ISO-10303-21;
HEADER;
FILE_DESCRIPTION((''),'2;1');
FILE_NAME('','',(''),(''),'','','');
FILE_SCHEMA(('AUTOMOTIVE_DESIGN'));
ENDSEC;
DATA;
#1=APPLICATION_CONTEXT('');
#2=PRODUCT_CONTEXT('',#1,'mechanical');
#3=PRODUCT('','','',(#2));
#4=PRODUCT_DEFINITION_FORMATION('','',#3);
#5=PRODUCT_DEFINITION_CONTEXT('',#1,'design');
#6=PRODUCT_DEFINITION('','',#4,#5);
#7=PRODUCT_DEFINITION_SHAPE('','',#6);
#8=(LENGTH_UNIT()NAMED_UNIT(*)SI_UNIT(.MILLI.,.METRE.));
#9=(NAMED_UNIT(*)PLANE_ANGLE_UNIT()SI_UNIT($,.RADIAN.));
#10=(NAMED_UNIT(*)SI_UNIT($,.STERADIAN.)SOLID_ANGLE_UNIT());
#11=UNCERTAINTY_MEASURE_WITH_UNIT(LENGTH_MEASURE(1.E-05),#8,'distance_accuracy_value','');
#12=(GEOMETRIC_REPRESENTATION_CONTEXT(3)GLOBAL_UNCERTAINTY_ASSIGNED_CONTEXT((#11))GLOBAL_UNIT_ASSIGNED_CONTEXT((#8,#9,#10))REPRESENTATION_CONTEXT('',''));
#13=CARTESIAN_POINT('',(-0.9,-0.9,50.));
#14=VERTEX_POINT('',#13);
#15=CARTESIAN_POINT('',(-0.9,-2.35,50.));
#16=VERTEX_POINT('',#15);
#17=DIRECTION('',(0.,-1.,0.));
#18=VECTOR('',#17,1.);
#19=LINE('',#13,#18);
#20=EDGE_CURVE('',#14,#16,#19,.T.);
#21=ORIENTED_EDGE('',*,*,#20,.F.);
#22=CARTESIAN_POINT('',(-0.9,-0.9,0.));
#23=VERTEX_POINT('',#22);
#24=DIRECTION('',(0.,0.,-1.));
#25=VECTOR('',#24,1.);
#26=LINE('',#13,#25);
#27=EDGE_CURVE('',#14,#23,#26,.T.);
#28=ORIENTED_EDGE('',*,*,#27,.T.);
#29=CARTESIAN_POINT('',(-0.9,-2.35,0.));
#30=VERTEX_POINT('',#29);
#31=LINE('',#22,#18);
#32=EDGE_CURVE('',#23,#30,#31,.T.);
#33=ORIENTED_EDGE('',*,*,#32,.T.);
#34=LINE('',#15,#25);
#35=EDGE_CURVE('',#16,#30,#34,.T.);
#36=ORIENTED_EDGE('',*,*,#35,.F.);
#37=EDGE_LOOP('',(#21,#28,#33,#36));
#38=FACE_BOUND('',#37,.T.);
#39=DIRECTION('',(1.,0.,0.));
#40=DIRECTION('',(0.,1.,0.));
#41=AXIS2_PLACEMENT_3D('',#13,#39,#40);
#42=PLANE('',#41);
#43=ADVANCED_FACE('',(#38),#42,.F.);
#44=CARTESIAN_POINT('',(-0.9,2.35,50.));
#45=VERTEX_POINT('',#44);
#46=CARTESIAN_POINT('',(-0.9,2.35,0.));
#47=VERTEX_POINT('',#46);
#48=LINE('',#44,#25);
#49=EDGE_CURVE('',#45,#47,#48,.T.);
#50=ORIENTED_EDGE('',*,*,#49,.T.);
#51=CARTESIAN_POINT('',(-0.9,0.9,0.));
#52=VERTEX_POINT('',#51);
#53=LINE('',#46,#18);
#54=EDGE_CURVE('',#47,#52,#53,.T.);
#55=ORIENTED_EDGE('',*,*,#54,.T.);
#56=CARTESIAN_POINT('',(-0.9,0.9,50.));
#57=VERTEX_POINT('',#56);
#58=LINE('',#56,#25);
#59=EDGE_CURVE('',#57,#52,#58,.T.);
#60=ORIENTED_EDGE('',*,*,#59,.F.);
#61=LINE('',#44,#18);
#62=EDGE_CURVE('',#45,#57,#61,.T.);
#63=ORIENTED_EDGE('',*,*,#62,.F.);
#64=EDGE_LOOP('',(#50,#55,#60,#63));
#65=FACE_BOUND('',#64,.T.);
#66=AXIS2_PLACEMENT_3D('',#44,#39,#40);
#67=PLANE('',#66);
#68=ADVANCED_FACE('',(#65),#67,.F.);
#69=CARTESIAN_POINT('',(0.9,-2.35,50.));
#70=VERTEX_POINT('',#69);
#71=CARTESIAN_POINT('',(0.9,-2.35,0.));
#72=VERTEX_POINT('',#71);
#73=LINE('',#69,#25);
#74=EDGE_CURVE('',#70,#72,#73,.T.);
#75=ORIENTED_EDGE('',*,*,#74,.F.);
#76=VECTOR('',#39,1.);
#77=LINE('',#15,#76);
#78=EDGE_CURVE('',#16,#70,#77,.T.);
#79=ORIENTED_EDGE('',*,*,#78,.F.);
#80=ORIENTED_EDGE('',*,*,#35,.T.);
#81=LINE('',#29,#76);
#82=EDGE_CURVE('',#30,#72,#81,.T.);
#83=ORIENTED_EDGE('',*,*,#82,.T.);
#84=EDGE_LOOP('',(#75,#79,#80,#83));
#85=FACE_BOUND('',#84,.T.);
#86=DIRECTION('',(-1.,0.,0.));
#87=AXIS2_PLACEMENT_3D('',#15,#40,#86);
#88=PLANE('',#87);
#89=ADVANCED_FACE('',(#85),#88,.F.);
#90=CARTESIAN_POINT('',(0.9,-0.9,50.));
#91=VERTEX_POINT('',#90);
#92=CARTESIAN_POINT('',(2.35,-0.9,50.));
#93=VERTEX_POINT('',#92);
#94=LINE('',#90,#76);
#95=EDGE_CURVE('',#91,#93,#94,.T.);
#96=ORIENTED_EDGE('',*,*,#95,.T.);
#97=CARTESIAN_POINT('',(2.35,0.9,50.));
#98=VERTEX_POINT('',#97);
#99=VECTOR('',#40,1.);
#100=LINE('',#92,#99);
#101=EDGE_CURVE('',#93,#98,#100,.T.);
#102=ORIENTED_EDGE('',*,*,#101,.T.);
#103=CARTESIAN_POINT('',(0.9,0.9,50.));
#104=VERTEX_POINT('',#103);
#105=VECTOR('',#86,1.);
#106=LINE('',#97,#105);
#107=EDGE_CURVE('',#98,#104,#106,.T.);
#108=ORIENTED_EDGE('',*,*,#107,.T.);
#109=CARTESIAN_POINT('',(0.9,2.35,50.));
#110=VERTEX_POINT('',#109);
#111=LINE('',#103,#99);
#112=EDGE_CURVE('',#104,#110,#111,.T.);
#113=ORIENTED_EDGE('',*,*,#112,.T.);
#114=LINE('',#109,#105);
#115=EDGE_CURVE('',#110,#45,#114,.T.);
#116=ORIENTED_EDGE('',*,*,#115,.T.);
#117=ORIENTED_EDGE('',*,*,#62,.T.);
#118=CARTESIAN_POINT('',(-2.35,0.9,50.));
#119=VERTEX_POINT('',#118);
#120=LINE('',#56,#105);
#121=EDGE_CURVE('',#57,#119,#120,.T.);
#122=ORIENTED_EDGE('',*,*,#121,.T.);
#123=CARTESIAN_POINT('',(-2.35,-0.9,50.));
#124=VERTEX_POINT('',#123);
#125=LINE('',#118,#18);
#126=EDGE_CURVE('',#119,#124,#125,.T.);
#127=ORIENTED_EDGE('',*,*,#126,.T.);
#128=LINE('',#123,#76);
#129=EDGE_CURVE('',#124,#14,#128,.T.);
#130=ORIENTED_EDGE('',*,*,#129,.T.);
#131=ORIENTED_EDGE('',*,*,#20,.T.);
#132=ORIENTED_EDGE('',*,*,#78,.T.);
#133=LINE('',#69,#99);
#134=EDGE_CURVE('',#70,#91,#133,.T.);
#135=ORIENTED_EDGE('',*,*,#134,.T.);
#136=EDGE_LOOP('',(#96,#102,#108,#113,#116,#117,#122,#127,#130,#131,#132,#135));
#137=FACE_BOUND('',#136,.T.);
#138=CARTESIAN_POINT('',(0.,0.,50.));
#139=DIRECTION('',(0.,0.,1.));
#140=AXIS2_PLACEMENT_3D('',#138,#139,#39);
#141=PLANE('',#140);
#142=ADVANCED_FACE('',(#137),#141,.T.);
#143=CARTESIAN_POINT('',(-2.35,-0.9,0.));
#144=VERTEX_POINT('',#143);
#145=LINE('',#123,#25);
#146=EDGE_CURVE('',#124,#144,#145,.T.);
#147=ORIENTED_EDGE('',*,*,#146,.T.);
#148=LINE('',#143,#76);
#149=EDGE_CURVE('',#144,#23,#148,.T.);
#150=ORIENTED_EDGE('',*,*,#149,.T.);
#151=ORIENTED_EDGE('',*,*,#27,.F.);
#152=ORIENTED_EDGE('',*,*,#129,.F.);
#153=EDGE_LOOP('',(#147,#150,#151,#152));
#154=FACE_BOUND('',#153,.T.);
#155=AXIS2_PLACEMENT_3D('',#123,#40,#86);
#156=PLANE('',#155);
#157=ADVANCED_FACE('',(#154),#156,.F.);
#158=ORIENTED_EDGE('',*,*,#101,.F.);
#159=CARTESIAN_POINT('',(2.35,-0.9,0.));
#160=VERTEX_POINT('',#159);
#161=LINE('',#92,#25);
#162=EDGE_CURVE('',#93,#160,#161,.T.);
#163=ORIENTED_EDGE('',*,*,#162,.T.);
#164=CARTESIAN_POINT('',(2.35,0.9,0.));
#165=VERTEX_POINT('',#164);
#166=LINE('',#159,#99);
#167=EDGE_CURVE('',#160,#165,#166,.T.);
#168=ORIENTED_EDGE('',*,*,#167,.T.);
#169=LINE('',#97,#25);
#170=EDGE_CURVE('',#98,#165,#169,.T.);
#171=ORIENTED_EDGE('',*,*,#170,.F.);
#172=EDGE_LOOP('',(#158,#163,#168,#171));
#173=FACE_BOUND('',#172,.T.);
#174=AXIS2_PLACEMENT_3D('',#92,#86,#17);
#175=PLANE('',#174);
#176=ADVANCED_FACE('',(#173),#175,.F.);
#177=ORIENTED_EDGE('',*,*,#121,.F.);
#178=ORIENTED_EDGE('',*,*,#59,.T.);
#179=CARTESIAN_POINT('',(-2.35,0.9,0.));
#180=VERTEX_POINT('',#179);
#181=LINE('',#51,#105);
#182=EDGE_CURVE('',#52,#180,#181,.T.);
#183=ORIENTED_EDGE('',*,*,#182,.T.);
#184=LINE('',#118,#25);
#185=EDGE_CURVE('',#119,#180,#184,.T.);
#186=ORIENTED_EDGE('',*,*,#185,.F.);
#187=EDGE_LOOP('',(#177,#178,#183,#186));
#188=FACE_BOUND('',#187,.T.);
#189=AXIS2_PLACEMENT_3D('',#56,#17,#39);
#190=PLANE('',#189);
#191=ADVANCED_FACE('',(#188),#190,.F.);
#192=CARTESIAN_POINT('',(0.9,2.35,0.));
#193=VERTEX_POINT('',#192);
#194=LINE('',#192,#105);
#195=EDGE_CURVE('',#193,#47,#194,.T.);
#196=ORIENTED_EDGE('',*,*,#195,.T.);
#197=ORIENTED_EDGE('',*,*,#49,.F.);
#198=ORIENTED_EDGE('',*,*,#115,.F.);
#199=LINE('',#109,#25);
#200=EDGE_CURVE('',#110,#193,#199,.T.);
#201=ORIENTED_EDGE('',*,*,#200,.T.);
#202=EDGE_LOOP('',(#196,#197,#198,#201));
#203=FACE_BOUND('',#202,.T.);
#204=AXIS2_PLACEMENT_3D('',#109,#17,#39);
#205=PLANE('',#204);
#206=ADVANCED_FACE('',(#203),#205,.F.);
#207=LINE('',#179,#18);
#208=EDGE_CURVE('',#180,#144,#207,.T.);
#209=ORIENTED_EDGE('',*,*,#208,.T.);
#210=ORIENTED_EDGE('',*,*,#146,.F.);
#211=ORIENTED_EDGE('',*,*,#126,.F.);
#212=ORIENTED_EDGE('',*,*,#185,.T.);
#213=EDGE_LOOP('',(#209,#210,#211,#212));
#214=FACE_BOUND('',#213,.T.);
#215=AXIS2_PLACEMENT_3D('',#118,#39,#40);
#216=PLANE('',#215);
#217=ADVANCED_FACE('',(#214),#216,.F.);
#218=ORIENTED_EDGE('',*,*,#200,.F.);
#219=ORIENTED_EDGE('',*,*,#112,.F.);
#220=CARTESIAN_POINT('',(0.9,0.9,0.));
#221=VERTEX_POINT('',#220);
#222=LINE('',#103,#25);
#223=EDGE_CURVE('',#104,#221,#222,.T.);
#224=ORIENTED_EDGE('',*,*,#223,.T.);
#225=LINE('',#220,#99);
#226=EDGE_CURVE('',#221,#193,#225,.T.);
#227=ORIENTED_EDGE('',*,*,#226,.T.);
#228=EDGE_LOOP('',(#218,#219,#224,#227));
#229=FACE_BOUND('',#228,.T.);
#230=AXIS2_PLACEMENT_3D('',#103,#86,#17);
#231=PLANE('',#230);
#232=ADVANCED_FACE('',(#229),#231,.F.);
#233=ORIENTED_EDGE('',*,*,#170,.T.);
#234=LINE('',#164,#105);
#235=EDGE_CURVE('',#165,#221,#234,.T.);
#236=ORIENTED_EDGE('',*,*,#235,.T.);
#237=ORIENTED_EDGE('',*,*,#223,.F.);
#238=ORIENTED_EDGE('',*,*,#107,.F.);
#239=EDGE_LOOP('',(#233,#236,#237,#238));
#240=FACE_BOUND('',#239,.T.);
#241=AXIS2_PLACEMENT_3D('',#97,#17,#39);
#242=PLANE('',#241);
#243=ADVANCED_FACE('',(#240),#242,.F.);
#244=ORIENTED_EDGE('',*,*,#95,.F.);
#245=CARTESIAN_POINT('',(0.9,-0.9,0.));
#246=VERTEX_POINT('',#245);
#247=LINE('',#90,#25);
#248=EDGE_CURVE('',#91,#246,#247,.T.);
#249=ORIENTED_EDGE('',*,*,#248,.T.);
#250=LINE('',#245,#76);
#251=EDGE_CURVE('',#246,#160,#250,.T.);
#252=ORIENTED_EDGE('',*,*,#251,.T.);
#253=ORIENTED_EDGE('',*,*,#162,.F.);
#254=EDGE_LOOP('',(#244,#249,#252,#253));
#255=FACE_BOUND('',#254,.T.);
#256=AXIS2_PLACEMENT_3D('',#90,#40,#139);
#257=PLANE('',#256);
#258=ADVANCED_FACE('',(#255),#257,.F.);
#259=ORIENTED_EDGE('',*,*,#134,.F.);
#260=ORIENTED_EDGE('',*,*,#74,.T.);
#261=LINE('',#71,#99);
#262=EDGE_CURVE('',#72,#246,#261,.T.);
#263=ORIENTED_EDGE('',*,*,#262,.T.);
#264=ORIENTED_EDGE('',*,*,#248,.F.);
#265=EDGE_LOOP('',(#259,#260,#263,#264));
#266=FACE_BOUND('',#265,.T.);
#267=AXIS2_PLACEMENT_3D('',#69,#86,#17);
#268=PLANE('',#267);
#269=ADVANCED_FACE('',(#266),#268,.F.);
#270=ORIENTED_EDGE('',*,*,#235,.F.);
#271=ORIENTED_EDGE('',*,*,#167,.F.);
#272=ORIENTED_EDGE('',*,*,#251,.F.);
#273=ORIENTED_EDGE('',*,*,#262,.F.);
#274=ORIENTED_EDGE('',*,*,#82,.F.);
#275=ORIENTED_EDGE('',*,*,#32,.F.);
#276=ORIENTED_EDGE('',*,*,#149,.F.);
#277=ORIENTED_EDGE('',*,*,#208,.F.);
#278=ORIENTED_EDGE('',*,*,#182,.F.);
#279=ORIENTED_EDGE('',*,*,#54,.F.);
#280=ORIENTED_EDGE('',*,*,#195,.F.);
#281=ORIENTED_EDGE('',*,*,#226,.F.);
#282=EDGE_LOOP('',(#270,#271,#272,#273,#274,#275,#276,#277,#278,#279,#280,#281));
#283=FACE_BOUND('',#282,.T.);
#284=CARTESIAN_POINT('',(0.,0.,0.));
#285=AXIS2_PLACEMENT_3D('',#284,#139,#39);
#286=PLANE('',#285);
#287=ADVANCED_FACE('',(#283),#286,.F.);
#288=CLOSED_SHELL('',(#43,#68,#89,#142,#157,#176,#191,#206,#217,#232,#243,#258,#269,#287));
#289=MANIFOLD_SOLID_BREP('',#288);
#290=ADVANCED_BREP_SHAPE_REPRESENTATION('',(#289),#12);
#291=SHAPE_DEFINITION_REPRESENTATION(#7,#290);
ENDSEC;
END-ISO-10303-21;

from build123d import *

# Parameters (mm, degrees)
EXTRUDE_1_DEPTH = 50


with BuildPart() as part:
    # 草图1 → 凸台-拉伸1 (new body)
    with BuildSketch(Plane.XY):
        Polygon((-0.9, 2.35), (-0.9, 0.9), (-2.35, 0.9), (-2.35, -0.9), (-0.9, -0.9), (-0.9, -2.35), (0.9, -2.35), (0.9, -0.9), (2.35, -0.9), (2.35, 0.9), (0.9, 0.9), (0.9, 2.35), align=None)
    extrude(amount=EXTRUDE_1_DEPTH)


solid = part.part
